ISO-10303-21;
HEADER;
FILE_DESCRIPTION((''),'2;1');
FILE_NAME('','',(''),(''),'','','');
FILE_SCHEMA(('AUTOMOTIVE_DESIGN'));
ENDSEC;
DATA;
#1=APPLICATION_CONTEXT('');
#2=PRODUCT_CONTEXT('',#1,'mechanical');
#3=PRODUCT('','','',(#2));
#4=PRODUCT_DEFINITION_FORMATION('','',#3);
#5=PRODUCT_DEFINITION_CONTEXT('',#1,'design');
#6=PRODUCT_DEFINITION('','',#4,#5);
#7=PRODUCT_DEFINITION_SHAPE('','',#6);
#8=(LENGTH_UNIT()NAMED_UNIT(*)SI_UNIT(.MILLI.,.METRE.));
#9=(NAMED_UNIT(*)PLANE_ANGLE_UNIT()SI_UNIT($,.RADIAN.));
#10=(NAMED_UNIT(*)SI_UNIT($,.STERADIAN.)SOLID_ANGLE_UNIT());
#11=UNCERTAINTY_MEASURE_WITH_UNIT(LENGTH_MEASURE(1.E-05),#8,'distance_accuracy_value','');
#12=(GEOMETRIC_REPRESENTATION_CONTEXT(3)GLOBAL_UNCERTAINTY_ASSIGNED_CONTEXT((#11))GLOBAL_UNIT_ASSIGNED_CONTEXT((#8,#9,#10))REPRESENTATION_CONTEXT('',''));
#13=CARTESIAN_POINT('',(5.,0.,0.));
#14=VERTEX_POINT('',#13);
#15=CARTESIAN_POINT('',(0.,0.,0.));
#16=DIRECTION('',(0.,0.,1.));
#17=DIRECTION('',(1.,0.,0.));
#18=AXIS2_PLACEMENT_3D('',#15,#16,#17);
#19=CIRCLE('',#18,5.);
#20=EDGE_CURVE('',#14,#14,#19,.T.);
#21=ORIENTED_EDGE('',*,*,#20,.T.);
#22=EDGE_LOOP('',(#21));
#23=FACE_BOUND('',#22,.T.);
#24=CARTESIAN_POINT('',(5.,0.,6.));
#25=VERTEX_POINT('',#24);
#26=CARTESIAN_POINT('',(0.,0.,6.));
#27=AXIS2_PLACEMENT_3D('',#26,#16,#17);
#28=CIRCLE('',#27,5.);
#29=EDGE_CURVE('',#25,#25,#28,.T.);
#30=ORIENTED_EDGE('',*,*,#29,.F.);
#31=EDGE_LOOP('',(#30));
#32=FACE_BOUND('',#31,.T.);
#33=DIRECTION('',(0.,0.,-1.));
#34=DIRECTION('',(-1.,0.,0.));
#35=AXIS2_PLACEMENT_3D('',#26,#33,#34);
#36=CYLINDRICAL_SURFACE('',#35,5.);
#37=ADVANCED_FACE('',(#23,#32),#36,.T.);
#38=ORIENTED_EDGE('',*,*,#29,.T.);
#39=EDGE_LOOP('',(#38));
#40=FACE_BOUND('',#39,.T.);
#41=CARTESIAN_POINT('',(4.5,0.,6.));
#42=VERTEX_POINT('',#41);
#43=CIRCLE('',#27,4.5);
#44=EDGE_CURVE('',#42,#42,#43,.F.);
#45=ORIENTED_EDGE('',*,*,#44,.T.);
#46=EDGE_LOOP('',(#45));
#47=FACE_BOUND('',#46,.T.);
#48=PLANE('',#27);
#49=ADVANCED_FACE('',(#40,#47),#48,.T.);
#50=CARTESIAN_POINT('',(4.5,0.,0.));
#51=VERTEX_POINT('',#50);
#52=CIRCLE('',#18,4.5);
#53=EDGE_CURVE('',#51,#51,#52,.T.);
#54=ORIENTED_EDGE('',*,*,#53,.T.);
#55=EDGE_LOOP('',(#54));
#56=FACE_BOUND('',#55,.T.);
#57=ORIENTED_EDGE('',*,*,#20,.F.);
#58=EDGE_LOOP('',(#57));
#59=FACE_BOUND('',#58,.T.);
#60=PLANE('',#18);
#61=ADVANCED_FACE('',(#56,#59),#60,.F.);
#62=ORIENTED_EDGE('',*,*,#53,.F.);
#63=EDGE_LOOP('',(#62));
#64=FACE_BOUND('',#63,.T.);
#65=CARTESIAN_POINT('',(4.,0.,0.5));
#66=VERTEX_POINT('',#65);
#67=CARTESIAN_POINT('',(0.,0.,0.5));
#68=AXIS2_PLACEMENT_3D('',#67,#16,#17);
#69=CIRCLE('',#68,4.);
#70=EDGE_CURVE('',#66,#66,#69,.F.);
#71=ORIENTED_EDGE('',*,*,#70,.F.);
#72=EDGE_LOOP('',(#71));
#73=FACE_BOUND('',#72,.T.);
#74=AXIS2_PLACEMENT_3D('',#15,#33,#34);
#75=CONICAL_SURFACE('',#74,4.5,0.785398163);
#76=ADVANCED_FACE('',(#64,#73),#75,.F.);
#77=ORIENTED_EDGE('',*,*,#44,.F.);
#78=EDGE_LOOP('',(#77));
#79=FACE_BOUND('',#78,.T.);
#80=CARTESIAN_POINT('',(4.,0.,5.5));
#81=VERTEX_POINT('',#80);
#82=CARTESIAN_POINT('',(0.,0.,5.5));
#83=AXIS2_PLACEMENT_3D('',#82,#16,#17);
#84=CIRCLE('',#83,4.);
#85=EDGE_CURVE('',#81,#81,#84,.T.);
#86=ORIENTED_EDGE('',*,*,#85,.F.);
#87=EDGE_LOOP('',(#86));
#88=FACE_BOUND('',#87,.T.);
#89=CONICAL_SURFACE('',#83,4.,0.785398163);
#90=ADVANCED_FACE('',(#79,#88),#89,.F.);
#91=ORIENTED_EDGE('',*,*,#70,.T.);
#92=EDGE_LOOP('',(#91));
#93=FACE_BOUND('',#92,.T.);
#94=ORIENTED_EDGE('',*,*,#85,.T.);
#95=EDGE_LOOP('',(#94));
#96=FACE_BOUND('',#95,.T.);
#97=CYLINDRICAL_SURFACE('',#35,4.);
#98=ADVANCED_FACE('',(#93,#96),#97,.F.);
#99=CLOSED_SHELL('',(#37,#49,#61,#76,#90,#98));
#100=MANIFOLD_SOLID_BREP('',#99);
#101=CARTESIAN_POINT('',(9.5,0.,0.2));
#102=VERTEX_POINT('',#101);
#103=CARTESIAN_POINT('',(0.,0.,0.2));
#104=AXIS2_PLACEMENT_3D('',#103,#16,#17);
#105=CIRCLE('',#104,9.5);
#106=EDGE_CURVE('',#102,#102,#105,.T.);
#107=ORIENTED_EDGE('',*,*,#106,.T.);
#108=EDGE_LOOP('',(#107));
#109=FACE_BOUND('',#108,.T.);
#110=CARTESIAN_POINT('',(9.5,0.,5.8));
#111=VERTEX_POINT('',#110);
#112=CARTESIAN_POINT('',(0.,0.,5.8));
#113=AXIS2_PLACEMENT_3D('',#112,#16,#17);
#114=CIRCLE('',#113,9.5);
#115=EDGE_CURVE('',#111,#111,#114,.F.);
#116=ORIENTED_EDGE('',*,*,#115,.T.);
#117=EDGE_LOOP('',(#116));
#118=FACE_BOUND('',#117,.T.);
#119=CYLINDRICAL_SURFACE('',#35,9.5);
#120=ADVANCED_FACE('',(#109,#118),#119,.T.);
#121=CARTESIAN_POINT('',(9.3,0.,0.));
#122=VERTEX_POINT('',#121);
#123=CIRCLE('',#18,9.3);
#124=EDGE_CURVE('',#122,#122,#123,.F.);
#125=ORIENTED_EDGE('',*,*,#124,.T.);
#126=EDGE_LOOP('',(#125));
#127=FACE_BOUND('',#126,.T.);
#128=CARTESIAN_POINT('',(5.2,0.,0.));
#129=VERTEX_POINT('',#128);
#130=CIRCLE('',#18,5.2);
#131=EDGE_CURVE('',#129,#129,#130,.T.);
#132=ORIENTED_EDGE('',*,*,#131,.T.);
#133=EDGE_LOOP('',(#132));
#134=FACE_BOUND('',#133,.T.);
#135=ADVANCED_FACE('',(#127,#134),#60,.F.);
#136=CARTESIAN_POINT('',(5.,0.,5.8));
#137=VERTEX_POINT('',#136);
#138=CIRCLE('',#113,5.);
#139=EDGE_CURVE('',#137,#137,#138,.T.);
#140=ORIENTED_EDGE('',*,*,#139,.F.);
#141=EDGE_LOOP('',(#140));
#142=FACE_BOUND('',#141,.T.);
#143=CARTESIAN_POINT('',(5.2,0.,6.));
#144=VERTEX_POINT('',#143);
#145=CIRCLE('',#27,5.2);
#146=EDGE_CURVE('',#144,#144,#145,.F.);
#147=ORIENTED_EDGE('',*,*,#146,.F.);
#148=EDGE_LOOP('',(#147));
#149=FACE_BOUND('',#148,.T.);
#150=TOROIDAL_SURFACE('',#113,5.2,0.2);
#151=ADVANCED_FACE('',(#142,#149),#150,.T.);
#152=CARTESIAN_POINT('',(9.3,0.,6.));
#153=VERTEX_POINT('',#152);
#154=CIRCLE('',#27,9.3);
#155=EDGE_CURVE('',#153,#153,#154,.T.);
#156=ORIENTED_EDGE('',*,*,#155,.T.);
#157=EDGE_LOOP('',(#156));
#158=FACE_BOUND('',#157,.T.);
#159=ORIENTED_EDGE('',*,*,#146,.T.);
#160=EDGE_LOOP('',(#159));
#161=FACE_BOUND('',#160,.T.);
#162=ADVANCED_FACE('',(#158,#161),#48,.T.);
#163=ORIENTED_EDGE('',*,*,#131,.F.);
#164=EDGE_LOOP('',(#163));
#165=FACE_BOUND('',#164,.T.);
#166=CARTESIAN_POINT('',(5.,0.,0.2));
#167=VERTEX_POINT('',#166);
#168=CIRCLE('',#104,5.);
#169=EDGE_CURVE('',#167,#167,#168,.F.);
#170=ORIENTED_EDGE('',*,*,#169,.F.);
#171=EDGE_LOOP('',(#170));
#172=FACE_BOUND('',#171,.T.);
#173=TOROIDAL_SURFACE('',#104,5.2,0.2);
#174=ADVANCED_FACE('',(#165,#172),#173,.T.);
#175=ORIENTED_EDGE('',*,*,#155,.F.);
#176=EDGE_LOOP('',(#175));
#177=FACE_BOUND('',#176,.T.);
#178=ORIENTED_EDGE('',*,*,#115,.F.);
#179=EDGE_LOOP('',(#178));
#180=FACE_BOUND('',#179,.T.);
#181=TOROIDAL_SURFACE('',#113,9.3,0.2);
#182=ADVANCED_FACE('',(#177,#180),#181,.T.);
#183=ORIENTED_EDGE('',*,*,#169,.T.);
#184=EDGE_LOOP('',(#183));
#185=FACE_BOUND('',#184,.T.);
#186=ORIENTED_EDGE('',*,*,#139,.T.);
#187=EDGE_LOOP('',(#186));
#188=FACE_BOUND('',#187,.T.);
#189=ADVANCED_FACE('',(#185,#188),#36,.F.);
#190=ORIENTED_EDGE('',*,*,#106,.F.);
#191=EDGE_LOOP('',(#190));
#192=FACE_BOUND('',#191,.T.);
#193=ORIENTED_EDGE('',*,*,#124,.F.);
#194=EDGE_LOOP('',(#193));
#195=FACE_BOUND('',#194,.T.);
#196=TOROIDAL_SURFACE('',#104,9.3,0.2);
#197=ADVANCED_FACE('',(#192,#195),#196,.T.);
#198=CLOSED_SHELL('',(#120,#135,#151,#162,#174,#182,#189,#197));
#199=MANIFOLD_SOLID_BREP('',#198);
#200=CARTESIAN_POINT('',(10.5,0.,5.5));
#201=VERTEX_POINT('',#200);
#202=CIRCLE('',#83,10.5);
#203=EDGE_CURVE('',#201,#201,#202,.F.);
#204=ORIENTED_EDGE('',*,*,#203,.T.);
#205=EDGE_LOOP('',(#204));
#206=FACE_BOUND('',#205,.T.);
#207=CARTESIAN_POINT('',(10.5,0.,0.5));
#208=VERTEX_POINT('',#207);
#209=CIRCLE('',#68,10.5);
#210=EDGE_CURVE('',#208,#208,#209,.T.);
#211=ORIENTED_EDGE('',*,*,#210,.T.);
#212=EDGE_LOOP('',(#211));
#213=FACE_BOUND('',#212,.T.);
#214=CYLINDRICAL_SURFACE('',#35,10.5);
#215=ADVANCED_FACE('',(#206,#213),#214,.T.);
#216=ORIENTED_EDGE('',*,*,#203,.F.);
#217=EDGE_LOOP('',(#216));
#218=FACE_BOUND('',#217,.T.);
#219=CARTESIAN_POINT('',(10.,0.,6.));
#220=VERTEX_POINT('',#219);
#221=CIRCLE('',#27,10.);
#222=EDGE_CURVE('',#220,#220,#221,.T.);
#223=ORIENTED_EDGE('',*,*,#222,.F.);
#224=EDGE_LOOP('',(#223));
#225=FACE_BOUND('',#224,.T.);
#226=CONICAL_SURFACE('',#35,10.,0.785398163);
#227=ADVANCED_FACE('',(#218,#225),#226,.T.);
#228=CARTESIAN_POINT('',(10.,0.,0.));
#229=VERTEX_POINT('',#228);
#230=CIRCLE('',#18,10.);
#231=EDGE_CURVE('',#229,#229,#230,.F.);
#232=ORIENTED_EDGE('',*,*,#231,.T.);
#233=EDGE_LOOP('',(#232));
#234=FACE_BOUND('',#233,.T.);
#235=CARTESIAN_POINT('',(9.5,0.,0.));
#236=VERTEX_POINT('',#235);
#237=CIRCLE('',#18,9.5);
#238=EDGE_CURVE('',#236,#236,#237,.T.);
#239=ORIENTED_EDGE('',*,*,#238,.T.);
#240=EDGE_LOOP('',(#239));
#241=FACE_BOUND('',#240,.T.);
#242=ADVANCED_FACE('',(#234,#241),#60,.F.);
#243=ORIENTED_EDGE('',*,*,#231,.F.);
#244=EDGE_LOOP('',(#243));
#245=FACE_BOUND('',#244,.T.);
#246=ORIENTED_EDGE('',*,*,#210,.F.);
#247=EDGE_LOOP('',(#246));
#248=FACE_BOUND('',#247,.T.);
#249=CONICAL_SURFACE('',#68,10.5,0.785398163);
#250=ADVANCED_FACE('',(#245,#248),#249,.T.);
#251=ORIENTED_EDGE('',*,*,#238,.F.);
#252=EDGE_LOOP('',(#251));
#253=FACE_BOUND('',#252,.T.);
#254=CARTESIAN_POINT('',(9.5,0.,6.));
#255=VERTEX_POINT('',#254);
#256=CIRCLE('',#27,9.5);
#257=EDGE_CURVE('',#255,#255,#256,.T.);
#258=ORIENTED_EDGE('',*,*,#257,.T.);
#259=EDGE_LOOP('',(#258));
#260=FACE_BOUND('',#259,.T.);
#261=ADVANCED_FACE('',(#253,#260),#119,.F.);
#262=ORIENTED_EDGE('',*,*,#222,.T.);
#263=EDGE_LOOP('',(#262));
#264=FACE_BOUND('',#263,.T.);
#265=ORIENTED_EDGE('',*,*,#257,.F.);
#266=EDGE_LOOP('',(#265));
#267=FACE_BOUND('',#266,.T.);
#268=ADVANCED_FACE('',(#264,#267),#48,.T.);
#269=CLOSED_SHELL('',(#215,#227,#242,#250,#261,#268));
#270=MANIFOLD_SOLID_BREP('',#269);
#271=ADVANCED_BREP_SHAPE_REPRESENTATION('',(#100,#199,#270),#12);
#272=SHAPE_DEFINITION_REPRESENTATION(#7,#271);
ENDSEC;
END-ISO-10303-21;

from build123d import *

# Parameters (mm, degrees)
SKETCH1_R             = 5
SKETCH1_R_2           = 4
BOSS_EXTRUDE1_DEPTH   = 6
SKETCH1_R_3           = 10.5
SKETCH1_R_4           = 9.5
BOSS_EXTRUDE1_2_DEPTH = 6
SKETCH2_R             = 9.5
SKETCH2_R_2           = 5
BOSS_EXTRUDE2_DEPTH   = 6
CHAMFER1_SIZE         = 0.5
CHAMFER2_SIZE         = 0.5
FILLET1_R             = 0.2


with BuildPart() as part:
    # Sketch1 → Boss-Extrude1 (new body)
    with BuildSketch(Plane.XY):
        Circle(SKETCH1_R)
        Circle(SKETCH1_R_2, mode=Mode.SUBTRACT)
    extrude(amount=BOSS_EXTRUDE1_DEPTH)

    # Chamfer2
    chamfer2_edges = [part.edges().sort_by_distance(p)[0] for p in [
        (-4, 0, 0),
        (-4, 0, 6),
    ]]
    chamfer(chamfer2_edges, length=CHAMFER2_SIZE)


with BuildPart() as body_2:
    # Sketch1 → Boss-Extrude1 2 (new body)
    with BuildSketch(Plane.XY):
        Circle(SKETCH1_R_3)
        Circle(SKETCH1_R_4, mode=Mode.SUBTRACT)
    extrude(amount=BOSS_EXTRUDE1_2_DEPTH)

    # Chamfer1
    chamfer1_edges = [body_2.edges().sort_by_distance(p)[0] for p in [
        (-10.5, 0, 0),
        (-10.5, 0, 6),
    ]]
    chamfer(chamfer1_edges, length=CHAMFER1_SIZE)


with BuildPart() as body_3:
    # Sketch2 → Boss-Extrude2 (new body)
    with BuildSketch(Plane.XY):
        Circle(SKETCH2_R)
        Circle(SKETCH2_R_2, mode=Mode.SUBTRACT)
    extrude(amount=BOSS_EXTRUDE2_DEPTH)

    # Fillet1
    fillet1_edges = [body_3.edges().sort_by_distance(p)[0] for p in [
        (-9.5, 0, 0),
        (-9.5, 0, 6),
        (-5, 0, 0),
        (-5, 0, 6),
    ]]
    fillet(fillet1_edges, radius=FILLET1_R)


solid = Compound([part.part, body_2.part, body_3.part])
